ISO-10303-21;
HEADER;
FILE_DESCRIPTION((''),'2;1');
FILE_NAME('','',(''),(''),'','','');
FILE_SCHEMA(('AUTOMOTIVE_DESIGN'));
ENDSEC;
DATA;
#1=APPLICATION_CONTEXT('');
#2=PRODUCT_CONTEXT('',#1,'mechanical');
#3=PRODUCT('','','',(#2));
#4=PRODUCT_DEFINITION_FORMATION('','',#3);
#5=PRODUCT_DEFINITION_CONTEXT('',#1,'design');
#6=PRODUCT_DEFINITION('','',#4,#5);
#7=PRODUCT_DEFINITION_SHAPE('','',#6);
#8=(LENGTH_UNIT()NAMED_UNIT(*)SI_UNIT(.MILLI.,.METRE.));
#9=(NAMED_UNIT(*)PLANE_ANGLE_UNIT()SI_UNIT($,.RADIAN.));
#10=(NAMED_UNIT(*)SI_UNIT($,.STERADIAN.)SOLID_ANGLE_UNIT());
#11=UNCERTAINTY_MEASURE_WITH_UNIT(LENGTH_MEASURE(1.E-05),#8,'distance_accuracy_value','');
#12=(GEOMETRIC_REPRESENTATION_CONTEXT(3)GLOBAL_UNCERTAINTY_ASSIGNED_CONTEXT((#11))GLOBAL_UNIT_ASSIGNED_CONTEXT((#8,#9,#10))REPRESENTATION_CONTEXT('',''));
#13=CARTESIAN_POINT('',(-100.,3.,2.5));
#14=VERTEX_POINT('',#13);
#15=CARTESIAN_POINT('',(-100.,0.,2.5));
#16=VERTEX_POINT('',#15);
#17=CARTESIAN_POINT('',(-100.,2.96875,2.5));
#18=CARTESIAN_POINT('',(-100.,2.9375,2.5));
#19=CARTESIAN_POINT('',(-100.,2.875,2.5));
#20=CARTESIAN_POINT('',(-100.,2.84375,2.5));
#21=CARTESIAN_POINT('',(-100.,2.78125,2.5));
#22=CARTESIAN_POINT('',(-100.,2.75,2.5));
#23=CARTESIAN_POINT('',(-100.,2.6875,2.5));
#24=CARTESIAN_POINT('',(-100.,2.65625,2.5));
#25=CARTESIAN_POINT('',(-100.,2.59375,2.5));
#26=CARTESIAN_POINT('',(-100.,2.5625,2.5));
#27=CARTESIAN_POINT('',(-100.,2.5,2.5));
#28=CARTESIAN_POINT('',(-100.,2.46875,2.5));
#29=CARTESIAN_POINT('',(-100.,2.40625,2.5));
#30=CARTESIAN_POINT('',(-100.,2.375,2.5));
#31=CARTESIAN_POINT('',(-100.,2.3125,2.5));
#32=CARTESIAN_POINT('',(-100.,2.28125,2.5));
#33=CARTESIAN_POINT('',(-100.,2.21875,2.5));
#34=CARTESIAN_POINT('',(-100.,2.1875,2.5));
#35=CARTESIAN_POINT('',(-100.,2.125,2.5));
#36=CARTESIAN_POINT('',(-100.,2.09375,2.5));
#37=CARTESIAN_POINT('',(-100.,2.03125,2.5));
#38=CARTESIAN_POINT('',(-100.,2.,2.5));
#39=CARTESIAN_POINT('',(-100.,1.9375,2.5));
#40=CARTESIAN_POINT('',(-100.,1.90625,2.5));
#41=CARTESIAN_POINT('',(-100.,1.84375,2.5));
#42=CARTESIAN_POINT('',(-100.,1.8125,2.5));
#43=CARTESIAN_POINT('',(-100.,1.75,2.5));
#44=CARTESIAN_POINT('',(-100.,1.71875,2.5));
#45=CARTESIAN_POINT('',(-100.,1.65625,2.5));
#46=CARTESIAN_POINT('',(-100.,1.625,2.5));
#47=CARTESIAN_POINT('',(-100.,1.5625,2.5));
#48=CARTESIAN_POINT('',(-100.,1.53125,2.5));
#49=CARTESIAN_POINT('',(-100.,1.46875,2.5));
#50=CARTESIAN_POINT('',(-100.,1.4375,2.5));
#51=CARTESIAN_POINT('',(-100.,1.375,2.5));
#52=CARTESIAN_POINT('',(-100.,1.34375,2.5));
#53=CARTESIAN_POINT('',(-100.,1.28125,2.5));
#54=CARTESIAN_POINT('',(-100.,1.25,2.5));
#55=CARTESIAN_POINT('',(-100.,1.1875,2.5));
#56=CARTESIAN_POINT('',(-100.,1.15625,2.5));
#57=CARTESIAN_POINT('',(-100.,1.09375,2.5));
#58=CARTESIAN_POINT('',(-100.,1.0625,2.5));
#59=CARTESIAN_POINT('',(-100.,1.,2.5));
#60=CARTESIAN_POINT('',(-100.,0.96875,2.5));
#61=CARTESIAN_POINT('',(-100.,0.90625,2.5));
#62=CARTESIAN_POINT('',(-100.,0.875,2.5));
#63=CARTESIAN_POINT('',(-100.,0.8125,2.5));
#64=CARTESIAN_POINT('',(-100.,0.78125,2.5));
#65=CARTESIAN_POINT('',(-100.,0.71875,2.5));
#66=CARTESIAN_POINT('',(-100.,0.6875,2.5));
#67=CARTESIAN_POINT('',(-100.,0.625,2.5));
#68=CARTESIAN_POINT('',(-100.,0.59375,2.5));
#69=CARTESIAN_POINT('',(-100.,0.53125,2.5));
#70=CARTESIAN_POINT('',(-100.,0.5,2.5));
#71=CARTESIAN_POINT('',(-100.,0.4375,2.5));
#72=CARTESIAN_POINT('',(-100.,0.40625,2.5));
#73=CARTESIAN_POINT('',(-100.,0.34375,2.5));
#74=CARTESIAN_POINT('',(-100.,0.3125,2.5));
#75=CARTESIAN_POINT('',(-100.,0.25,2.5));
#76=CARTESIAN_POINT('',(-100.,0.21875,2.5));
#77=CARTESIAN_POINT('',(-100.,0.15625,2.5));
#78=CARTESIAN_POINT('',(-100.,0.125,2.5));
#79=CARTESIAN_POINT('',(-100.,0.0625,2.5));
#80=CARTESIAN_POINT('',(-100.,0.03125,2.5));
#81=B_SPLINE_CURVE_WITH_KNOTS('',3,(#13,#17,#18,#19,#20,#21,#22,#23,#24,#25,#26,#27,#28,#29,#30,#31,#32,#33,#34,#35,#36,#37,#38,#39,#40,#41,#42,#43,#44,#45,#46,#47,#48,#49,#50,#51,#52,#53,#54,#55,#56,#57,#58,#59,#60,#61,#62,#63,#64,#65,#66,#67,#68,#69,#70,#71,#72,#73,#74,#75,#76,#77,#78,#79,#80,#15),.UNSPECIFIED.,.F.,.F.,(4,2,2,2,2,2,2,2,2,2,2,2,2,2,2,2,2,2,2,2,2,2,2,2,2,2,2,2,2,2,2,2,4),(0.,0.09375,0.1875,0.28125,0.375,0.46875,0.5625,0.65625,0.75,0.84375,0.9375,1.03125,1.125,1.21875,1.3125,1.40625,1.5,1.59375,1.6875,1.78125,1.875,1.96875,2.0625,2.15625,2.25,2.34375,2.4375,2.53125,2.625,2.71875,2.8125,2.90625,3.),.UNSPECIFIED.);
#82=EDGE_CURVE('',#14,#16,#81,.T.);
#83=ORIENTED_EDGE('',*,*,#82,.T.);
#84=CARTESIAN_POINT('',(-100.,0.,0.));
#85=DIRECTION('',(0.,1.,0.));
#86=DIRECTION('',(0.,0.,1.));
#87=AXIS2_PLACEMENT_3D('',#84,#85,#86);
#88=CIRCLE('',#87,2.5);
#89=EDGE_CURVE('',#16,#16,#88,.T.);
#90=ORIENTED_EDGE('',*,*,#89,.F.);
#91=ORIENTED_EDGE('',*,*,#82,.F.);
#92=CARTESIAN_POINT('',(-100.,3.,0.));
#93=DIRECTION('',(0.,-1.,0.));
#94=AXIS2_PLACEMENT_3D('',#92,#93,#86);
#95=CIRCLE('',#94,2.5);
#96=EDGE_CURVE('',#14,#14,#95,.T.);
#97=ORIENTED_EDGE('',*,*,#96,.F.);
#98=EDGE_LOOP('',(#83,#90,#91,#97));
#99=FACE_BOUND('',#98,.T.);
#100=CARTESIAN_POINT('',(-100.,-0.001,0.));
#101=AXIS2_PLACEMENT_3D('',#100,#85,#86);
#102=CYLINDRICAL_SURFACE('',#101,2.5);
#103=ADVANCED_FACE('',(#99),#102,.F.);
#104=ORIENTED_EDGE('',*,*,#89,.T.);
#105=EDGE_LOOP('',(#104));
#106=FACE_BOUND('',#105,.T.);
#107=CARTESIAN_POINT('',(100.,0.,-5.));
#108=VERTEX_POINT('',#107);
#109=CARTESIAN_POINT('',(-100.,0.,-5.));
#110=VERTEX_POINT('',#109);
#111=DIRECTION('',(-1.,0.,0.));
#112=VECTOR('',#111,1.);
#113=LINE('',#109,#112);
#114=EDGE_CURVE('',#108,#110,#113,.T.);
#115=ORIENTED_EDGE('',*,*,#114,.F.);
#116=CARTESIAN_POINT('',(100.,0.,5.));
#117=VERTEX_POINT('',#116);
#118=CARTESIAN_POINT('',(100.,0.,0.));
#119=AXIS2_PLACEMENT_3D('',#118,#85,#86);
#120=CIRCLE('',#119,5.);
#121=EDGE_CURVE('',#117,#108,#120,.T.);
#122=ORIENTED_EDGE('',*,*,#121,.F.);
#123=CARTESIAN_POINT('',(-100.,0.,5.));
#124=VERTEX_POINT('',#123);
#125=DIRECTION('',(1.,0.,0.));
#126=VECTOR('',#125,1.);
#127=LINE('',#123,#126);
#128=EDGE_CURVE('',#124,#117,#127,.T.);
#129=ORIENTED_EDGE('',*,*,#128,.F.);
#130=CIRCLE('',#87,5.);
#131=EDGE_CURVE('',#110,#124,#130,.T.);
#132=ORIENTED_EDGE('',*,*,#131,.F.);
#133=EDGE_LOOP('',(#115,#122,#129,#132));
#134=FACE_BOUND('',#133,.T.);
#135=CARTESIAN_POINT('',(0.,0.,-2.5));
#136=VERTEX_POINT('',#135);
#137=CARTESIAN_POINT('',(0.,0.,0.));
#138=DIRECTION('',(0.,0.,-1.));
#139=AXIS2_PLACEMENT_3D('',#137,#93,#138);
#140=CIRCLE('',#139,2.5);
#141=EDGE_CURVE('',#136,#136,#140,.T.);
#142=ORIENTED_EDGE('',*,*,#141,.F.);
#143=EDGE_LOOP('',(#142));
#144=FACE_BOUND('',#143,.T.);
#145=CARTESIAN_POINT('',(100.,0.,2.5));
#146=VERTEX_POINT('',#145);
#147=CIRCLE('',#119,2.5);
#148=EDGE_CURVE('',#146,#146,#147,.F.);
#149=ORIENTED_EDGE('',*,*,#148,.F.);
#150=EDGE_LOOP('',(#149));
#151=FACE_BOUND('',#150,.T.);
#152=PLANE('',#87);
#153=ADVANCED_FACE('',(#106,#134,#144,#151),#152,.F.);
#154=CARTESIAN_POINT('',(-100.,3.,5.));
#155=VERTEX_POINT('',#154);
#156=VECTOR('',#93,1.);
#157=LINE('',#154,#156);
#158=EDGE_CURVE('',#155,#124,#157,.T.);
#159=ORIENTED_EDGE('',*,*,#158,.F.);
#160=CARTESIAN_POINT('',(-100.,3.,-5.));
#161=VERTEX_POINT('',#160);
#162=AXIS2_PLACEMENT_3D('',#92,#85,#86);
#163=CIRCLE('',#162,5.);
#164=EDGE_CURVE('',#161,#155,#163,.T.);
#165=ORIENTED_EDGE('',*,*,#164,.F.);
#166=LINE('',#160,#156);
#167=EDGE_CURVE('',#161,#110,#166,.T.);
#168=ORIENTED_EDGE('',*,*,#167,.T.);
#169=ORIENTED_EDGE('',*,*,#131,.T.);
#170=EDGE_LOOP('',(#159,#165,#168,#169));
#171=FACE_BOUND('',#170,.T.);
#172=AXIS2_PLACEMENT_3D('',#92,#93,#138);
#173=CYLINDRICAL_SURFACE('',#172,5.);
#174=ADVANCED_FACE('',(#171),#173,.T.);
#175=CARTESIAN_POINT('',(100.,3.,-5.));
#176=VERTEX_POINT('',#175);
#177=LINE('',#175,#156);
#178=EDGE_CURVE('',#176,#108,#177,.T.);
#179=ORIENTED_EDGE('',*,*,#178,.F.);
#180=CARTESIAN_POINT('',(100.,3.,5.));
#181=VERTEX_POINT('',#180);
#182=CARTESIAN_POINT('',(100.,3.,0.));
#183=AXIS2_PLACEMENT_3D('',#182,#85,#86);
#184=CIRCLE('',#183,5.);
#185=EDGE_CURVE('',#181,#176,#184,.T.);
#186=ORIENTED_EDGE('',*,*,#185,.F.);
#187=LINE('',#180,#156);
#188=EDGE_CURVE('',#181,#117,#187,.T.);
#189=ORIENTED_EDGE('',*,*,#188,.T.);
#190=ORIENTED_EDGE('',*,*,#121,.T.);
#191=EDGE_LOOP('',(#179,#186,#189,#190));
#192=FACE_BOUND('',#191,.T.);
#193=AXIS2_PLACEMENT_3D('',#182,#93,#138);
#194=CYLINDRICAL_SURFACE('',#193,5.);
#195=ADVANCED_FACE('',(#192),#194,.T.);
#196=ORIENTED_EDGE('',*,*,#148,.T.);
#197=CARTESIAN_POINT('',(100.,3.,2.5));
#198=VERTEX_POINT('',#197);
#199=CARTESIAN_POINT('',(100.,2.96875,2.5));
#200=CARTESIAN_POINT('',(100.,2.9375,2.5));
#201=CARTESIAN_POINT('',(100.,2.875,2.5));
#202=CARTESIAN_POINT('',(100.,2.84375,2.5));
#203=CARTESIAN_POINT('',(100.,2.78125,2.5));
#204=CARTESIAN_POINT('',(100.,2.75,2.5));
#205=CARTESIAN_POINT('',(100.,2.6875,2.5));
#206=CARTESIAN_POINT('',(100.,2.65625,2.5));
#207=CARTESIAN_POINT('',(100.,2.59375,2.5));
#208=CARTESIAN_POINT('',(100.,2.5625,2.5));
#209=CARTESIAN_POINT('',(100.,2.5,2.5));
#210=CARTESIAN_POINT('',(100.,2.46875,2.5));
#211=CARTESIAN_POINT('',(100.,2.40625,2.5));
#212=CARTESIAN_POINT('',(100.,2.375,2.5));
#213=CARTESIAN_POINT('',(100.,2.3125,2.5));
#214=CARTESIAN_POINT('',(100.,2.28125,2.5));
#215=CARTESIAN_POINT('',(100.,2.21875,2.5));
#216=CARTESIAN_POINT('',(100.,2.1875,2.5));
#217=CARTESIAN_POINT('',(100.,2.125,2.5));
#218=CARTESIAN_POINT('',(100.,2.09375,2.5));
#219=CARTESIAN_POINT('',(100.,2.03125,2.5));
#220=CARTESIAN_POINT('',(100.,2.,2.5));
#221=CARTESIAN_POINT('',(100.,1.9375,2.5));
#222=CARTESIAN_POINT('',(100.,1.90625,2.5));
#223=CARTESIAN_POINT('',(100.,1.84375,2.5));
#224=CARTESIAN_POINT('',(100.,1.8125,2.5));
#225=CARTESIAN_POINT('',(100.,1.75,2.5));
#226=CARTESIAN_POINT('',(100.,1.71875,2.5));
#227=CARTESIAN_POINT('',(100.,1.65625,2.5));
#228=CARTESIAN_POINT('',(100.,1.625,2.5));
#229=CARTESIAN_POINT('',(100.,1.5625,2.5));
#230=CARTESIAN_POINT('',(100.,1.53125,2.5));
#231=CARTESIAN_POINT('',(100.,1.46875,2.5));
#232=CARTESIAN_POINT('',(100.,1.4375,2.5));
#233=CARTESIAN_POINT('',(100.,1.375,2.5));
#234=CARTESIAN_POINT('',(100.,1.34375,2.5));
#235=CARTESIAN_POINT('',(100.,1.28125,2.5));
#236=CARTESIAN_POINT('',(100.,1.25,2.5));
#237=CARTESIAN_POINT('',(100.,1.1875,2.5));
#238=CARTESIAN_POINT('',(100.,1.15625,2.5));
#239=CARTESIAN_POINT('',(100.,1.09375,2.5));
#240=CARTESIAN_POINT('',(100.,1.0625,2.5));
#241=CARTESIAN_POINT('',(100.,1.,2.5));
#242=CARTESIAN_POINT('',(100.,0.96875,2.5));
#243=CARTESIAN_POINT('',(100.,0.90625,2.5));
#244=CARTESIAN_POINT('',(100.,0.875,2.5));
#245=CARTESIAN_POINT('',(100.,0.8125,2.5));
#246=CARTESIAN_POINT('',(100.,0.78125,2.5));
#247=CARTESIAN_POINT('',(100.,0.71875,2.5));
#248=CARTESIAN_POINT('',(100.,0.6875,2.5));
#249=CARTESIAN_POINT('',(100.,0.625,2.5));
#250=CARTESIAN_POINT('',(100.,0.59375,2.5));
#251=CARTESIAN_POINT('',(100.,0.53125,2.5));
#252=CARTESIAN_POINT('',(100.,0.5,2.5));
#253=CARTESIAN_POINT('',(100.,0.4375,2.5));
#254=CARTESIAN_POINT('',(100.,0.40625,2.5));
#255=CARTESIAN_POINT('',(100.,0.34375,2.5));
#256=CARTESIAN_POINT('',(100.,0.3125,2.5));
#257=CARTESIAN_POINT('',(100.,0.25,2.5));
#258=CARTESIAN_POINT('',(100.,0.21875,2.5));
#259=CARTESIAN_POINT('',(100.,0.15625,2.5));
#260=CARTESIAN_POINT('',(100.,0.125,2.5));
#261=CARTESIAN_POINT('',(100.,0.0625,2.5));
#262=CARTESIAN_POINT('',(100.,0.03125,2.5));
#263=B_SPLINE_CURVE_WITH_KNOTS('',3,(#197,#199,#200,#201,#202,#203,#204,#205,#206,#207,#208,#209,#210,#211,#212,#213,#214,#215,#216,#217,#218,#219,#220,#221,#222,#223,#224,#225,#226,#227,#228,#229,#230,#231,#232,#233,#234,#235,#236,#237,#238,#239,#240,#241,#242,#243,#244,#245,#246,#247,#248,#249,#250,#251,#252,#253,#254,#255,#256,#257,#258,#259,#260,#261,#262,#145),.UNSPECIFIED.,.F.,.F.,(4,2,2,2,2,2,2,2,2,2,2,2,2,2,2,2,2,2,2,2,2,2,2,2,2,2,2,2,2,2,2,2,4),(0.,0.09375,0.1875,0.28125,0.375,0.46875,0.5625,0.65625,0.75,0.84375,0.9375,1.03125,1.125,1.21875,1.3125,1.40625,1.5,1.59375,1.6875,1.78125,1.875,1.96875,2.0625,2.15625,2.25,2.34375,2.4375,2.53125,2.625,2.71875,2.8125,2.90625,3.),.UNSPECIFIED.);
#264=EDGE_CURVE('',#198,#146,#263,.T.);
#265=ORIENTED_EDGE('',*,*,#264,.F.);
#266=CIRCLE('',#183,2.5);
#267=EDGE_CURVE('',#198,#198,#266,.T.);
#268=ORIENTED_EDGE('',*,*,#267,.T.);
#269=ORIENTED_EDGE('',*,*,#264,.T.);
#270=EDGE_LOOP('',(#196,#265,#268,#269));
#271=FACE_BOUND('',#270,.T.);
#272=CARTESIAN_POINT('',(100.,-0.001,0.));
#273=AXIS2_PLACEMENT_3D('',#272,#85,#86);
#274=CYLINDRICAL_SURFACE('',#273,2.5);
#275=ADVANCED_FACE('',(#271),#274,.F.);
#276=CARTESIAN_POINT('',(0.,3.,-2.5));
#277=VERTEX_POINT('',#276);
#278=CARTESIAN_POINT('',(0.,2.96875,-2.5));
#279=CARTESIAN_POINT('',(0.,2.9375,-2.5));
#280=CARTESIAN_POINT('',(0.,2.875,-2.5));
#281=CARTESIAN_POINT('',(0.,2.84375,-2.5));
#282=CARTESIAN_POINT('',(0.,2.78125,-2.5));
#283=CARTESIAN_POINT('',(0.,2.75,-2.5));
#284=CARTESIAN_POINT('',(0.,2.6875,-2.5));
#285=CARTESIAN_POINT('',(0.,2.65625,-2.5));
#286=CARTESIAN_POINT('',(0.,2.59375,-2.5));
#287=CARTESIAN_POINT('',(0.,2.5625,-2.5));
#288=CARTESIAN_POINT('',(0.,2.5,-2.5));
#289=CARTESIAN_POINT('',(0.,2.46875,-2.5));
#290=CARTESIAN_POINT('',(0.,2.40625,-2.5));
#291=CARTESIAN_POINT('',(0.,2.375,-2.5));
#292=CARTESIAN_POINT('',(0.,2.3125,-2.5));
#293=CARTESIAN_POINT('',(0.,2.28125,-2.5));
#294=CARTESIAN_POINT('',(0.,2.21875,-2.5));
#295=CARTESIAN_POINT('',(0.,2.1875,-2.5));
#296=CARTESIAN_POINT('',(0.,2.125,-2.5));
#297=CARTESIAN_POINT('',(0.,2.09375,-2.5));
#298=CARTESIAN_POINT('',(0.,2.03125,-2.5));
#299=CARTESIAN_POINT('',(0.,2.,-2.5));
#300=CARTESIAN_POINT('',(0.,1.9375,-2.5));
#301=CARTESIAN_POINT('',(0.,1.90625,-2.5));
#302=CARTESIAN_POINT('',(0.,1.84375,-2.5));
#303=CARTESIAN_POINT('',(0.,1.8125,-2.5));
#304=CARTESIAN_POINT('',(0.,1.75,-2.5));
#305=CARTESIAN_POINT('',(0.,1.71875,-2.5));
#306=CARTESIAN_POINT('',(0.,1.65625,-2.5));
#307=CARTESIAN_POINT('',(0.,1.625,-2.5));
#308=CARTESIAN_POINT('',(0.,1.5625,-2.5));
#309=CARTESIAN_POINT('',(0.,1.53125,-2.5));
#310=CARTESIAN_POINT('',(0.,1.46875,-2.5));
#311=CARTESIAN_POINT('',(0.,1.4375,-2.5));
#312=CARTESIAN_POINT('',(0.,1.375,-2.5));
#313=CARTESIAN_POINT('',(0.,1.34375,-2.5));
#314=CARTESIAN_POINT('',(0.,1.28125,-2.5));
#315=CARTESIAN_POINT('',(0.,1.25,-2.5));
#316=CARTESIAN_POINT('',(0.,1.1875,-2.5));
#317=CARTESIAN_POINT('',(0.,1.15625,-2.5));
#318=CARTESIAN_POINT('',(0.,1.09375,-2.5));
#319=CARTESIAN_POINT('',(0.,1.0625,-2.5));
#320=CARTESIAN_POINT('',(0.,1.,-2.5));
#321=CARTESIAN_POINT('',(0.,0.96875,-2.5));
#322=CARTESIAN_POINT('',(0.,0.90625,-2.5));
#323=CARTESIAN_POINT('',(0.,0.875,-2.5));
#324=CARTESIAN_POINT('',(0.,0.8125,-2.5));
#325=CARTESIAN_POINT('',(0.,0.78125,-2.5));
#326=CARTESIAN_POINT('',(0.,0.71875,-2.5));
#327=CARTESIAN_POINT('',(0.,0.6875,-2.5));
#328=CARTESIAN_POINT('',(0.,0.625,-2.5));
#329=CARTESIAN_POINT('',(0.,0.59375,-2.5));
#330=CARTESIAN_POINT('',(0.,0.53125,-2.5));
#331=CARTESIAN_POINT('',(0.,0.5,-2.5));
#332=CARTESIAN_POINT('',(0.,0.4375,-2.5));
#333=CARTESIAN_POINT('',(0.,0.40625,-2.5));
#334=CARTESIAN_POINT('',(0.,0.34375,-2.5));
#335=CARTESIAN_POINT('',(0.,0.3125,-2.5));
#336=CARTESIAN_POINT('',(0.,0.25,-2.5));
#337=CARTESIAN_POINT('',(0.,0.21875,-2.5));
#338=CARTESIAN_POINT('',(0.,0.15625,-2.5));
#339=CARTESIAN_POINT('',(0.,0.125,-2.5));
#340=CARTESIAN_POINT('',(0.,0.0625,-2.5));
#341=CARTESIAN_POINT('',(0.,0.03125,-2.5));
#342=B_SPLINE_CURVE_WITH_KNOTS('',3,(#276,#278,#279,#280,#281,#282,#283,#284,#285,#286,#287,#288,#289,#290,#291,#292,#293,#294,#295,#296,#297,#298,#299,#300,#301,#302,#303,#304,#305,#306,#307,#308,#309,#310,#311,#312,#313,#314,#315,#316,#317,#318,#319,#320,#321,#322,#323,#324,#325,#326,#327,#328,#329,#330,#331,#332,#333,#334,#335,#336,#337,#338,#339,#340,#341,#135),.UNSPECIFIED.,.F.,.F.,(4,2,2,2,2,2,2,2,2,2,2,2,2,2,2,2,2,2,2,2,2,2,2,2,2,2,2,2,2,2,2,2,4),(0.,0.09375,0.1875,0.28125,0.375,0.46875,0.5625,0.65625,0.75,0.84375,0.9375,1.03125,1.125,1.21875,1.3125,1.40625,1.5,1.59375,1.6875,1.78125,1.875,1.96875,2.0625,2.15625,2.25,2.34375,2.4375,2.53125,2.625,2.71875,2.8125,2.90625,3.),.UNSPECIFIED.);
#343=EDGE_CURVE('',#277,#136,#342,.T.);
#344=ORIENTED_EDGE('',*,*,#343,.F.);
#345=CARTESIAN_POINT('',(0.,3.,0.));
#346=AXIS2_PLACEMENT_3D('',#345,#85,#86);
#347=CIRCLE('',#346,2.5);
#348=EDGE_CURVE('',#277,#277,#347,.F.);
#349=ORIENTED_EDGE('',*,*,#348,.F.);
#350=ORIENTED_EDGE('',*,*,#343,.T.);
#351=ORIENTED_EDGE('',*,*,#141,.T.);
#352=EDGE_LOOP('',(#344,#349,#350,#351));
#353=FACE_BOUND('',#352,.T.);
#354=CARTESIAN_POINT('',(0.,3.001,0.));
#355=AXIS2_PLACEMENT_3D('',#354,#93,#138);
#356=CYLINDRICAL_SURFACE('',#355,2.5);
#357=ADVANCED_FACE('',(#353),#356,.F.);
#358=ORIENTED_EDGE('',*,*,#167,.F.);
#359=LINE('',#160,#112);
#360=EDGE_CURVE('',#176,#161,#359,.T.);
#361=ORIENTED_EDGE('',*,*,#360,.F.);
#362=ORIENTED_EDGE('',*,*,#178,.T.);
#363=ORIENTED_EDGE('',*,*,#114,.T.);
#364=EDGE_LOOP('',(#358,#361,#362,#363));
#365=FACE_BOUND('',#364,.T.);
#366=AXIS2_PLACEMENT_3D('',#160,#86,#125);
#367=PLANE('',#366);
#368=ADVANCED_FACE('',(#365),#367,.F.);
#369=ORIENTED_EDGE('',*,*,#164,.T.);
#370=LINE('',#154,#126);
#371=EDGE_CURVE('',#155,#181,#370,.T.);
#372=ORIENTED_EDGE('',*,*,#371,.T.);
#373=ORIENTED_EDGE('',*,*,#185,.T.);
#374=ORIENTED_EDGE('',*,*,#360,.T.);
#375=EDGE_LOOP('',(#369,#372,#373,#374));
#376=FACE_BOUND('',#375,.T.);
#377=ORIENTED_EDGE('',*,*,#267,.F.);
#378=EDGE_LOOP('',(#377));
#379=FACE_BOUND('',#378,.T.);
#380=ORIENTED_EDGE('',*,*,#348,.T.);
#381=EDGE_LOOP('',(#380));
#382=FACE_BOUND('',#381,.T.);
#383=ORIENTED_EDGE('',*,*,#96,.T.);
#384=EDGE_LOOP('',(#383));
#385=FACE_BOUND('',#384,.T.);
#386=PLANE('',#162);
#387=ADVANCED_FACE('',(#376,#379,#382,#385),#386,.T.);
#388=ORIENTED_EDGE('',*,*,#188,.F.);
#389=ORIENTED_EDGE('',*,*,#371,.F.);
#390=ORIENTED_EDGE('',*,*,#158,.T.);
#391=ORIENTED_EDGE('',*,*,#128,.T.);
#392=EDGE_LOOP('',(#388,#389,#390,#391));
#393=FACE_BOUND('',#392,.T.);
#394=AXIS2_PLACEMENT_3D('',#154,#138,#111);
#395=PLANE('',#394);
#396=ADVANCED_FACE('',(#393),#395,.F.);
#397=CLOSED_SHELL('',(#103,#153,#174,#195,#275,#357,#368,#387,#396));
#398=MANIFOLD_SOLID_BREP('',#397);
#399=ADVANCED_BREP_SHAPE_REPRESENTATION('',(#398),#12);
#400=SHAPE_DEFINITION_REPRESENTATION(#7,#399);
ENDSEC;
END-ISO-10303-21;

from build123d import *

# Parameters (mm, degrees)
BOSS_EXTRUDE1_DEPTH = 3
CUT_EXTRUDE1_REACH  = 107.162
SKETCH3_R           = 2.5
CUT_EXTRUDE2_REACH  = 107.162
SKETCH5_R           = 2.5


with BuildPart() as part:
    # Sketch2 → Boss-Extrude1 (new body)
    with BuildSketch(Plane(origin=(0, 0, 0), x_dir=(1, 0, 0), z_dir=(0, 1, 0))):
        with BuildLine():
            Line((-100, 5), (100, 5))
            ThreePointArc((100, 5), (105, 0), (100, -5))
            Line((100, -5), (-100, -5))
            ThreePointArc((-100, -5), (-105, 0), (-100, 5))
        make_face()
    extrude(amount=BOSS_EXTRUDE1_DEPTH)

    # Sketch3 → Cut-Extrude1 (cut, up to next)
    with BuildSketch(Plane(origin=(0, 3, 0), x_dir=(1, 0, 0), z_dir=(0, 1, 0)), mode=Mode.PRIVATE) as cut_extrude1_sk1:
        with Locations(Location((100, 0, 0), (0, 0, 270))):
            Circle(SKETCH3_R)
    cut_extrude1_tool1 = extrude(cut_extrude1_sk1.sketch, amount=-CUT_EXTRUDE1_REACH, mode=Mode.PRIVATE) & part.part
    cut_extrude1 = cut_extrude1_tool1.solids().sort_by_distance((100, 3, 0))[0]
    add(cut_extrude1, mode=Mode.SUBTRACT)

    # Mirror1: Cut-Extrude1 across plane
    add(cut_extrude1.mirror(Plane(origin=(0, 0, 0), x_dir=(0, 0, 1), z_dir=(1, 0, 0))), mode=Mode.SUBTRACT)

    # Sketch5 → Cut-Extrude2 (cut, up to next)
    with BuildSketch(Plane.XZ, mode=Mode.PRIVATE) as cut_extrude2_sk1:
        with Locations(Location((0, 0, 0), (0, 0, 270))):
            Circle(SKETCH5_R)
    cut_extrude2_tool1 = extrude(cut_extrude2_sk1.sketch, amount=-CUT_EXTRUDE2_REACH, mode=Mode.PRIVATE) & part.part
    add(cut_extrude2_tool1.solids().sort_by_distance((0, 0, 0))[0], mode=Mode.SUBTRACT)


solid = part.part
